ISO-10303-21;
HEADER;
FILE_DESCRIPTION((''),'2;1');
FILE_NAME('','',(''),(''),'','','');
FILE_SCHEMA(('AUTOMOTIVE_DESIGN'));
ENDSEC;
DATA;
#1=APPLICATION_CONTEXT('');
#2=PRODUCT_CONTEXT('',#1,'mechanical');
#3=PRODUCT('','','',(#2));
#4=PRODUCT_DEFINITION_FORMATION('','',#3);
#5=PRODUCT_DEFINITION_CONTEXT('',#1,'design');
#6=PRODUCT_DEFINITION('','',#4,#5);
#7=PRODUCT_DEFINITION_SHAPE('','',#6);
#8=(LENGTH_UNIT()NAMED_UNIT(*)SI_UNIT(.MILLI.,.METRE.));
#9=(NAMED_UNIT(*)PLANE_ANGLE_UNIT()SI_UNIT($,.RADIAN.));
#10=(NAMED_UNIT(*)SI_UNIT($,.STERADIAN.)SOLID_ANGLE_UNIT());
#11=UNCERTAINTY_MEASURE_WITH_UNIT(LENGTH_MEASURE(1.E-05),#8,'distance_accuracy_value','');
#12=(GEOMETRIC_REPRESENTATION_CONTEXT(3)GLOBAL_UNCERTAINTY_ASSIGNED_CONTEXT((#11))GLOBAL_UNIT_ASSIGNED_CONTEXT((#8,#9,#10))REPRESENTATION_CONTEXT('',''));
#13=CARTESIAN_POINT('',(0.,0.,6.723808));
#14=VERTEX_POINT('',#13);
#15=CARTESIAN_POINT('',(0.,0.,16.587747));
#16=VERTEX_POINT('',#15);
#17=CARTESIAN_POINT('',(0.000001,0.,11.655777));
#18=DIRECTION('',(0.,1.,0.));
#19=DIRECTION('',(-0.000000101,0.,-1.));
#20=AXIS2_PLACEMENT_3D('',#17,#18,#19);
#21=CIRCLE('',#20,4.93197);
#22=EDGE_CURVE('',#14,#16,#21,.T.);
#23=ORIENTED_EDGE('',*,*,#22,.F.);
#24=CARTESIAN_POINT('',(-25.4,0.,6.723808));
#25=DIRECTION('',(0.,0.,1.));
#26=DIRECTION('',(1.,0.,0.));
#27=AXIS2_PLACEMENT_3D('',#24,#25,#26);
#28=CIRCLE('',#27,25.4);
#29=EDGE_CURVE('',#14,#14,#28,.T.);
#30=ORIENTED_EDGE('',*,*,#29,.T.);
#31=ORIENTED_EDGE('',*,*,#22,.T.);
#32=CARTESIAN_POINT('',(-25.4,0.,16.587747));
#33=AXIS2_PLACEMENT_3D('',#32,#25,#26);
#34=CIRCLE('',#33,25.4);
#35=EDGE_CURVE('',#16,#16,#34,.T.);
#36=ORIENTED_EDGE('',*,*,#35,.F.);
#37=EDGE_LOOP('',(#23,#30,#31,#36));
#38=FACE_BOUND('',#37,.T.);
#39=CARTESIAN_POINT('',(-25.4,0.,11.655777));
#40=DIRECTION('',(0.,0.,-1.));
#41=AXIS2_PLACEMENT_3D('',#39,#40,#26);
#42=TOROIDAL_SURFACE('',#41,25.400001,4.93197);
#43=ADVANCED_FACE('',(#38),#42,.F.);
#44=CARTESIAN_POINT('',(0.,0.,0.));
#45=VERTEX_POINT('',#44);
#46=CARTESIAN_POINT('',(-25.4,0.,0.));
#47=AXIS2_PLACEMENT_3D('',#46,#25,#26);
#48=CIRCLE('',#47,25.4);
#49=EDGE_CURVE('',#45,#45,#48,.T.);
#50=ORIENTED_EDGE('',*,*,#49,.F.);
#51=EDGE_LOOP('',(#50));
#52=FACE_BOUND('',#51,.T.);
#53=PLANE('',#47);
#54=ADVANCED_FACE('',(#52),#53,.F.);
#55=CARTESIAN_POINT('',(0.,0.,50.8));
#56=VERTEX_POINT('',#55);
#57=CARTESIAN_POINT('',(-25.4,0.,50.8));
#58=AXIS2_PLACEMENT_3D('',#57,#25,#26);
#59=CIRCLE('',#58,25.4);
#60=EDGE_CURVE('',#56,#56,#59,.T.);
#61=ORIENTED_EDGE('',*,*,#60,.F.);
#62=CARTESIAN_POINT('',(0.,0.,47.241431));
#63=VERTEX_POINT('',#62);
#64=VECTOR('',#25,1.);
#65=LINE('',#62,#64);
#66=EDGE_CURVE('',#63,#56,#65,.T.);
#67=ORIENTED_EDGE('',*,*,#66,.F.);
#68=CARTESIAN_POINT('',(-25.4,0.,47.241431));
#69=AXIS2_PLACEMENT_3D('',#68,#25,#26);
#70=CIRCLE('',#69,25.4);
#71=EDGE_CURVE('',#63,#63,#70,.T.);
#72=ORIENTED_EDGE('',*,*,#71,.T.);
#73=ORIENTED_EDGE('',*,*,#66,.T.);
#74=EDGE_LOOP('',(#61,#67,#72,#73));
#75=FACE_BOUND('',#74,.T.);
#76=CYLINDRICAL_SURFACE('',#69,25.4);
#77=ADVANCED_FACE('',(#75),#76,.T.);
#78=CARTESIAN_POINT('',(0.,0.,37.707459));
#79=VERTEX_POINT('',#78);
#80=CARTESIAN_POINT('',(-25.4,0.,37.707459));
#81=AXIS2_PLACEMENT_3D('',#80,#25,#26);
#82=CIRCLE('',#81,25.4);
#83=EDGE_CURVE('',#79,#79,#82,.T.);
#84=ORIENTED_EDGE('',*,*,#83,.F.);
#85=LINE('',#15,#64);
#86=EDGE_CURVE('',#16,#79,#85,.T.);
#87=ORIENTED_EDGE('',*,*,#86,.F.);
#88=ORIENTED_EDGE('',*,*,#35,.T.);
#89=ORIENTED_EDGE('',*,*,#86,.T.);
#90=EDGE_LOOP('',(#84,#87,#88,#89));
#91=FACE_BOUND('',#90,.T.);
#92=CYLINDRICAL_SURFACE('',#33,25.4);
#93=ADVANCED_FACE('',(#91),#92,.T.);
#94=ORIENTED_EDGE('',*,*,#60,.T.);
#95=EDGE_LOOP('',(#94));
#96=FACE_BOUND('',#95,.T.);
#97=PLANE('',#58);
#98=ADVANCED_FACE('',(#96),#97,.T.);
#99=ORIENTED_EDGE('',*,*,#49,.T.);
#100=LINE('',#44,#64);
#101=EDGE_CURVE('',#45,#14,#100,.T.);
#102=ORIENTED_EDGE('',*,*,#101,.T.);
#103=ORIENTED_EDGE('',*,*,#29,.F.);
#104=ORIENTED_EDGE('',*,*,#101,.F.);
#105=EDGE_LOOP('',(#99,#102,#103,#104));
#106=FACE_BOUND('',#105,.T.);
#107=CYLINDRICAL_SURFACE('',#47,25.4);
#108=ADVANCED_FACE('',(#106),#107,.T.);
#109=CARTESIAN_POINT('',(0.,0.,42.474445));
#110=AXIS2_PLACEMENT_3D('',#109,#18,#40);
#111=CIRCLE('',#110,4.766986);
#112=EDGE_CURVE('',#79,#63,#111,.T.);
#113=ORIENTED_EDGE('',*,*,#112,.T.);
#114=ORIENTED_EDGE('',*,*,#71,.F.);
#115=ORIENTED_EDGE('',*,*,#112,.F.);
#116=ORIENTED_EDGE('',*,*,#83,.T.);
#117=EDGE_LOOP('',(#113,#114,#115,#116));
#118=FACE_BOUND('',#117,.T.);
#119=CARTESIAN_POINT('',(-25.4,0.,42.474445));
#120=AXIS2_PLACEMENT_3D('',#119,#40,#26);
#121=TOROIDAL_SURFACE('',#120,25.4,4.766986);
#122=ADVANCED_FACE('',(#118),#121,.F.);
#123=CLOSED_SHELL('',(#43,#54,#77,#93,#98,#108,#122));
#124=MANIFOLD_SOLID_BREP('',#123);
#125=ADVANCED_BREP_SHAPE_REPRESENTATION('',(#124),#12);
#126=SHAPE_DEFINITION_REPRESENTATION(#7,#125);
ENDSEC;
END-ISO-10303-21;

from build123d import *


with BuildPart() as f1:
    # F0 (on Front) → F1 (revolve)
    with BuildSketch(Plane.XZ):
        with BuildLine():
            Line((-25.4, 0), (0, 0))
            Line((0, 0), (0, 6.723808))
            ThreePointArc((0, 6.723808), (-4.931969, 11.655778), (0, 16.587747))
            Line((0, 16.587747), (0, 37.707459))
            ThreePointArc((0, 37.707459), (-4.766986, 42.474445), (0, 47.241431))
            Line((0, 47.241431), (0, 50.8))
            Line((0, 50.8), (-25.4, 50.8))
            Line((-25.4, 50.8), (-25.4, 0))
        make_face()
    revolve(axis=Axis((-25.4, 0, 25.4), (0, 0, 1)))


solid = f1.part
